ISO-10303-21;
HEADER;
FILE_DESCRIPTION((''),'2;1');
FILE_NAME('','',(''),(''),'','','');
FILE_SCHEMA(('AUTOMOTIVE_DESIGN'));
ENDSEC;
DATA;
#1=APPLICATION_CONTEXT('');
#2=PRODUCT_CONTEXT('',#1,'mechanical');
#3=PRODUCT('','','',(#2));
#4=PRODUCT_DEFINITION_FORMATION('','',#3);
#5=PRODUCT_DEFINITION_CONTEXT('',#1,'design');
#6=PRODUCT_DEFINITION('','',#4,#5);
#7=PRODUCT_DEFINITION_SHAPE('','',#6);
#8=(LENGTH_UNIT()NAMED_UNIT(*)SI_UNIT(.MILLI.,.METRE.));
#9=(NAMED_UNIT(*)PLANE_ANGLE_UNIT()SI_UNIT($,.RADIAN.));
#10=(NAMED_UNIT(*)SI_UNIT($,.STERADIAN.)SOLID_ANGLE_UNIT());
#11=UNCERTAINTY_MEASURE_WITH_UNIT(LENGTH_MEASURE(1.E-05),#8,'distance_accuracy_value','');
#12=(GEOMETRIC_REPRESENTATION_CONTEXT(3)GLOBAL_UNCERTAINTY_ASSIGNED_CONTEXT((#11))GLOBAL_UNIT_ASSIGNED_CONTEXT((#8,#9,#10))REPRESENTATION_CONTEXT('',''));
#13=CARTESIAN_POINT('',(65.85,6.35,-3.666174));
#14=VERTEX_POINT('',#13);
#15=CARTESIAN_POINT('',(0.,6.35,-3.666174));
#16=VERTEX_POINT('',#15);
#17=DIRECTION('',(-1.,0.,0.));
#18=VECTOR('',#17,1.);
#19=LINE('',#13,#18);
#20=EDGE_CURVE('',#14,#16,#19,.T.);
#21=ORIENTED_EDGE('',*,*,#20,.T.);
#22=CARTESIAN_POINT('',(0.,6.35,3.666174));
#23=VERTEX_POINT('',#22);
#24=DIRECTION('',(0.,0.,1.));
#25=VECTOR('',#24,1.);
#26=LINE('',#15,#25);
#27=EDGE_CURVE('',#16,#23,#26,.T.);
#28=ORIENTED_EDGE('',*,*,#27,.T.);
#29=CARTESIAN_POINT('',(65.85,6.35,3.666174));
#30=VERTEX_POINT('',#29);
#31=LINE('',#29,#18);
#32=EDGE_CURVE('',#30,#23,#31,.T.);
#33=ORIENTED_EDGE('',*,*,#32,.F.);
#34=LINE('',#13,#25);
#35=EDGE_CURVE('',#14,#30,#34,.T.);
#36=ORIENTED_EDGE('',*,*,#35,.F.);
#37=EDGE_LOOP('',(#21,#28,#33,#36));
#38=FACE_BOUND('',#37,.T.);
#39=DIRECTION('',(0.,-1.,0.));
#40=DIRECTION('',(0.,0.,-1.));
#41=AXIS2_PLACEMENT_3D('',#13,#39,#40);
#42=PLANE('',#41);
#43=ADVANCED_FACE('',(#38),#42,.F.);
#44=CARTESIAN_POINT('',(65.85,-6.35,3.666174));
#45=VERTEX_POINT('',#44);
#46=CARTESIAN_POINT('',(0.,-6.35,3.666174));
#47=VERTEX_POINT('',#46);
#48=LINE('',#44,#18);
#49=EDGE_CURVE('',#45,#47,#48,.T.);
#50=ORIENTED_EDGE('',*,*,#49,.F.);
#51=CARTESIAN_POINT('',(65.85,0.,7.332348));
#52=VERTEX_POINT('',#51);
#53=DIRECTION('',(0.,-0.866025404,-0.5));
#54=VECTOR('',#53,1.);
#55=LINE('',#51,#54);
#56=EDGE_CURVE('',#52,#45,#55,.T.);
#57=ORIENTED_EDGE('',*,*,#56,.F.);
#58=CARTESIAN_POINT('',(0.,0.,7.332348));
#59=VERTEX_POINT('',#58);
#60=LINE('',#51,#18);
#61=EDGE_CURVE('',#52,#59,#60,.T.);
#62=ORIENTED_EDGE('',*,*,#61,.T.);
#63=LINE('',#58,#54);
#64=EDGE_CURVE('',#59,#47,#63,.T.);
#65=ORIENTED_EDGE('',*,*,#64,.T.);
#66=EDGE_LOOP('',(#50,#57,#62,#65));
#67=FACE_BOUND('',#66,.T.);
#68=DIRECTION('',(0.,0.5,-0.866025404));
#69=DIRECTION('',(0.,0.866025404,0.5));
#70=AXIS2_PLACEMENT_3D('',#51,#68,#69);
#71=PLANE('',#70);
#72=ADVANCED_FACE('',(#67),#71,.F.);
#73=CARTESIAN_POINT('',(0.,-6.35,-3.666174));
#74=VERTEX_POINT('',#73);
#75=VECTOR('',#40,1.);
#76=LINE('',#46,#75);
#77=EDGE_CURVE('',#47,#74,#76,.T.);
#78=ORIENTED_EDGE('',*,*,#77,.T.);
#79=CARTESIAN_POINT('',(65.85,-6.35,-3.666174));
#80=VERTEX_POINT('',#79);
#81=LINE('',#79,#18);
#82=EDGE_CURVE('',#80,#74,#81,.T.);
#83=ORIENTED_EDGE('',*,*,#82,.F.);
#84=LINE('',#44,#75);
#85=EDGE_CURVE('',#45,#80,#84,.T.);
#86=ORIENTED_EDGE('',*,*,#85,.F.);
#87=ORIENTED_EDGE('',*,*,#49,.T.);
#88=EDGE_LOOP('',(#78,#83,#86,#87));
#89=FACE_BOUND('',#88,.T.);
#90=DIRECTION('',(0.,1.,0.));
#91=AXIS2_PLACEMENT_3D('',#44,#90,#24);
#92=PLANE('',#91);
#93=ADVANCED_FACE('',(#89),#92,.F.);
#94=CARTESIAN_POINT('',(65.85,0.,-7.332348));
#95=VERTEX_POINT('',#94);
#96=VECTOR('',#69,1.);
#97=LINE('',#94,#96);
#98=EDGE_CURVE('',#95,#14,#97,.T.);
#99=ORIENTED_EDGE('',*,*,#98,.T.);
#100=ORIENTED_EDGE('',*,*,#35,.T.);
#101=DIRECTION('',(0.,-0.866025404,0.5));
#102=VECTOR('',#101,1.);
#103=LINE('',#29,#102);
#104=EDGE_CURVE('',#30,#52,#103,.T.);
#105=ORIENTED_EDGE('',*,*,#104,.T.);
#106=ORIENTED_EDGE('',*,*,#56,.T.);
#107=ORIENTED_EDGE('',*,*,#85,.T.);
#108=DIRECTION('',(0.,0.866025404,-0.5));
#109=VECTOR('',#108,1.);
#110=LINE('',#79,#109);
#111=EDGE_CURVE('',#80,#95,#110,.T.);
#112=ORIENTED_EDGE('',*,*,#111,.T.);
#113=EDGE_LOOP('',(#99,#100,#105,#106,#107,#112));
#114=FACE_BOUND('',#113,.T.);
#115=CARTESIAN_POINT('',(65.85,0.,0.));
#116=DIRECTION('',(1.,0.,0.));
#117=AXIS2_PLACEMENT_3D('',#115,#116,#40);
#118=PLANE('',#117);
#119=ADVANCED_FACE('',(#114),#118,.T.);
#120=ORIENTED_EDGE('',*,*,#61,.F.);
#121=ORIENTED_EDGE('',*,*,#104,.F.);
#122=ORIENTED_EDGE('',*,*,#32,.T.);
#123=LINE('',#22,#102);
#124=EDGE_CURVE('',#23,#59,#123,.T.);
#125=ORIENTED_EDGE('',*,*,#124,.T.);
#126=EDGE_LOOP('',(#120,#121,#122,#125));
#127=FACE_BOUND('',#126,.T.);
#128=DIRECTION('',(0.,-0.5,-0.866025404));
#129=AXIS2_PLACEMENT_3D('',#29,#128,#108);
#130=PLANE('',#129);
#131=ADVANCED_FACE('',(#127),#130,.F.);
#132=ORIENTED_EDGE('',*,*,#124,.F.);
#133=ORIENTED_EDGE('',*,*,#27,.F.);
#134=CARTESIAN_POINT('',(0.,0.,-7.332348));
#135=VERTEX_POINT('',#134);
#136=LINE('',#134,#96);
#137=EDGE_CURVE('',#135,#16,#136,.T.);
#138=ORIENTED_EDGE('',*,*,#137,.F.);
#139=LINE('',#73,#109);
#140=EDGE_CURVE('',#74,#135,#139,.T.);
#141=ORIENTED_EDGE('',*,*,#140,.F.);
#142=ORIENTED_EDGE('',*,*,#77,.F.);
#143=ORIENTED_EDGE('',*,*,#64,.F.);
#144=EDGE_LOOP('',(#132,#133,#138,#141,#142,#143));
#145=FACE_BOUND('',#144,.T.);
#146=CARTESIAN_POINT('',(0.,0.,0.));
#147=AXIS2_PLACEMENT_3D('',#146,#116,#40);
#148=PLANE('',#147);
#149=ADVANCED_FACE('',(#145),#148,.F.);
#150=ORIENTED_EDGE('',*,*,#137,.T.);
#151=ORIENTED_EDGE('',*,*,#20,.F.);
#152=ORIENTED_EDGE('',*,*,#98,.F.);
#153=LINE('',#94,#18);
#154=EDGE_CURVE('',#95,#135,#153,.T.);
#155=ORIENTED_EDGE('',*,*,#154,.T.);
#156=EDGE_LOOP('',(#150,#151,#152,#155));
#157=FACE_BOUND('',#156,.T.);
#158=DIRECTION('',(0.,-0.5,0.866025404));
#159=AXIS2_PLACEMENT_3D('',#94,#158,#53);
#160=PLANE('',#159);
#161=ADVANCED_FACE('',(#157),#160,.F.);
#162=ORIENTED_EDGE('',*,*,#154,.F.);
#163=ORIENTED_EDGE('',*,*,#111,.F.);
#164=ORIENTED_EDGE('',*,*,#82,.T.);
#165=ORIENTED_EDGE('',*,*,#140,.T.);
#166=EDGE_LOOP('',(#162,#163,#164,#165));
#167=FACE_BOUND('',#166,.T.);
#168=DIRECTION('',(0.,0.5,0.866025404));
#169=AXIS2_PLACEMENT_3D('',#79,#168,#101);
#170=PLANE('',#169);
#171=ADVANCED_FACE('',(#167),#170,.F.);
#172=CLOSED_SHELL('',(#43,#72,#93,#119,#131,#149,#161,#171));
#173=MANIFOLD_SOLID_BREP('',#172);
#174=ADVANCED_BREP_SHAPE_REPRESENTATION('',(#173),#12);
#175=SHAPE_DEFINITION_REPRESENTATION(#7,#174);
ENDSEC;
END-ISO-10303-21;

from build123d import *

# Parameters (mm, degrees)
BOSS_EXTRUDE1_DEPTH = 65.85


with BuildPart() as part:
    # Sketch1 → Boss-Extrude1 (new body)
    with BuildSketch(Plane(origin=(0, 0, 0), x_dir=(0, 0, -1), z_dir=(1, 0, 0))):
        Polygon((7.332348419, 0), (3.666174209, 6.35), (-3.666174209, 6.35), (-7.332348419, 0), (-3.666174209, -6.35), (3.666174209, -6.35), align=None)
    extrude(amount=BOSS_EXTRUDE1_DEPTH)


solid = part.part
